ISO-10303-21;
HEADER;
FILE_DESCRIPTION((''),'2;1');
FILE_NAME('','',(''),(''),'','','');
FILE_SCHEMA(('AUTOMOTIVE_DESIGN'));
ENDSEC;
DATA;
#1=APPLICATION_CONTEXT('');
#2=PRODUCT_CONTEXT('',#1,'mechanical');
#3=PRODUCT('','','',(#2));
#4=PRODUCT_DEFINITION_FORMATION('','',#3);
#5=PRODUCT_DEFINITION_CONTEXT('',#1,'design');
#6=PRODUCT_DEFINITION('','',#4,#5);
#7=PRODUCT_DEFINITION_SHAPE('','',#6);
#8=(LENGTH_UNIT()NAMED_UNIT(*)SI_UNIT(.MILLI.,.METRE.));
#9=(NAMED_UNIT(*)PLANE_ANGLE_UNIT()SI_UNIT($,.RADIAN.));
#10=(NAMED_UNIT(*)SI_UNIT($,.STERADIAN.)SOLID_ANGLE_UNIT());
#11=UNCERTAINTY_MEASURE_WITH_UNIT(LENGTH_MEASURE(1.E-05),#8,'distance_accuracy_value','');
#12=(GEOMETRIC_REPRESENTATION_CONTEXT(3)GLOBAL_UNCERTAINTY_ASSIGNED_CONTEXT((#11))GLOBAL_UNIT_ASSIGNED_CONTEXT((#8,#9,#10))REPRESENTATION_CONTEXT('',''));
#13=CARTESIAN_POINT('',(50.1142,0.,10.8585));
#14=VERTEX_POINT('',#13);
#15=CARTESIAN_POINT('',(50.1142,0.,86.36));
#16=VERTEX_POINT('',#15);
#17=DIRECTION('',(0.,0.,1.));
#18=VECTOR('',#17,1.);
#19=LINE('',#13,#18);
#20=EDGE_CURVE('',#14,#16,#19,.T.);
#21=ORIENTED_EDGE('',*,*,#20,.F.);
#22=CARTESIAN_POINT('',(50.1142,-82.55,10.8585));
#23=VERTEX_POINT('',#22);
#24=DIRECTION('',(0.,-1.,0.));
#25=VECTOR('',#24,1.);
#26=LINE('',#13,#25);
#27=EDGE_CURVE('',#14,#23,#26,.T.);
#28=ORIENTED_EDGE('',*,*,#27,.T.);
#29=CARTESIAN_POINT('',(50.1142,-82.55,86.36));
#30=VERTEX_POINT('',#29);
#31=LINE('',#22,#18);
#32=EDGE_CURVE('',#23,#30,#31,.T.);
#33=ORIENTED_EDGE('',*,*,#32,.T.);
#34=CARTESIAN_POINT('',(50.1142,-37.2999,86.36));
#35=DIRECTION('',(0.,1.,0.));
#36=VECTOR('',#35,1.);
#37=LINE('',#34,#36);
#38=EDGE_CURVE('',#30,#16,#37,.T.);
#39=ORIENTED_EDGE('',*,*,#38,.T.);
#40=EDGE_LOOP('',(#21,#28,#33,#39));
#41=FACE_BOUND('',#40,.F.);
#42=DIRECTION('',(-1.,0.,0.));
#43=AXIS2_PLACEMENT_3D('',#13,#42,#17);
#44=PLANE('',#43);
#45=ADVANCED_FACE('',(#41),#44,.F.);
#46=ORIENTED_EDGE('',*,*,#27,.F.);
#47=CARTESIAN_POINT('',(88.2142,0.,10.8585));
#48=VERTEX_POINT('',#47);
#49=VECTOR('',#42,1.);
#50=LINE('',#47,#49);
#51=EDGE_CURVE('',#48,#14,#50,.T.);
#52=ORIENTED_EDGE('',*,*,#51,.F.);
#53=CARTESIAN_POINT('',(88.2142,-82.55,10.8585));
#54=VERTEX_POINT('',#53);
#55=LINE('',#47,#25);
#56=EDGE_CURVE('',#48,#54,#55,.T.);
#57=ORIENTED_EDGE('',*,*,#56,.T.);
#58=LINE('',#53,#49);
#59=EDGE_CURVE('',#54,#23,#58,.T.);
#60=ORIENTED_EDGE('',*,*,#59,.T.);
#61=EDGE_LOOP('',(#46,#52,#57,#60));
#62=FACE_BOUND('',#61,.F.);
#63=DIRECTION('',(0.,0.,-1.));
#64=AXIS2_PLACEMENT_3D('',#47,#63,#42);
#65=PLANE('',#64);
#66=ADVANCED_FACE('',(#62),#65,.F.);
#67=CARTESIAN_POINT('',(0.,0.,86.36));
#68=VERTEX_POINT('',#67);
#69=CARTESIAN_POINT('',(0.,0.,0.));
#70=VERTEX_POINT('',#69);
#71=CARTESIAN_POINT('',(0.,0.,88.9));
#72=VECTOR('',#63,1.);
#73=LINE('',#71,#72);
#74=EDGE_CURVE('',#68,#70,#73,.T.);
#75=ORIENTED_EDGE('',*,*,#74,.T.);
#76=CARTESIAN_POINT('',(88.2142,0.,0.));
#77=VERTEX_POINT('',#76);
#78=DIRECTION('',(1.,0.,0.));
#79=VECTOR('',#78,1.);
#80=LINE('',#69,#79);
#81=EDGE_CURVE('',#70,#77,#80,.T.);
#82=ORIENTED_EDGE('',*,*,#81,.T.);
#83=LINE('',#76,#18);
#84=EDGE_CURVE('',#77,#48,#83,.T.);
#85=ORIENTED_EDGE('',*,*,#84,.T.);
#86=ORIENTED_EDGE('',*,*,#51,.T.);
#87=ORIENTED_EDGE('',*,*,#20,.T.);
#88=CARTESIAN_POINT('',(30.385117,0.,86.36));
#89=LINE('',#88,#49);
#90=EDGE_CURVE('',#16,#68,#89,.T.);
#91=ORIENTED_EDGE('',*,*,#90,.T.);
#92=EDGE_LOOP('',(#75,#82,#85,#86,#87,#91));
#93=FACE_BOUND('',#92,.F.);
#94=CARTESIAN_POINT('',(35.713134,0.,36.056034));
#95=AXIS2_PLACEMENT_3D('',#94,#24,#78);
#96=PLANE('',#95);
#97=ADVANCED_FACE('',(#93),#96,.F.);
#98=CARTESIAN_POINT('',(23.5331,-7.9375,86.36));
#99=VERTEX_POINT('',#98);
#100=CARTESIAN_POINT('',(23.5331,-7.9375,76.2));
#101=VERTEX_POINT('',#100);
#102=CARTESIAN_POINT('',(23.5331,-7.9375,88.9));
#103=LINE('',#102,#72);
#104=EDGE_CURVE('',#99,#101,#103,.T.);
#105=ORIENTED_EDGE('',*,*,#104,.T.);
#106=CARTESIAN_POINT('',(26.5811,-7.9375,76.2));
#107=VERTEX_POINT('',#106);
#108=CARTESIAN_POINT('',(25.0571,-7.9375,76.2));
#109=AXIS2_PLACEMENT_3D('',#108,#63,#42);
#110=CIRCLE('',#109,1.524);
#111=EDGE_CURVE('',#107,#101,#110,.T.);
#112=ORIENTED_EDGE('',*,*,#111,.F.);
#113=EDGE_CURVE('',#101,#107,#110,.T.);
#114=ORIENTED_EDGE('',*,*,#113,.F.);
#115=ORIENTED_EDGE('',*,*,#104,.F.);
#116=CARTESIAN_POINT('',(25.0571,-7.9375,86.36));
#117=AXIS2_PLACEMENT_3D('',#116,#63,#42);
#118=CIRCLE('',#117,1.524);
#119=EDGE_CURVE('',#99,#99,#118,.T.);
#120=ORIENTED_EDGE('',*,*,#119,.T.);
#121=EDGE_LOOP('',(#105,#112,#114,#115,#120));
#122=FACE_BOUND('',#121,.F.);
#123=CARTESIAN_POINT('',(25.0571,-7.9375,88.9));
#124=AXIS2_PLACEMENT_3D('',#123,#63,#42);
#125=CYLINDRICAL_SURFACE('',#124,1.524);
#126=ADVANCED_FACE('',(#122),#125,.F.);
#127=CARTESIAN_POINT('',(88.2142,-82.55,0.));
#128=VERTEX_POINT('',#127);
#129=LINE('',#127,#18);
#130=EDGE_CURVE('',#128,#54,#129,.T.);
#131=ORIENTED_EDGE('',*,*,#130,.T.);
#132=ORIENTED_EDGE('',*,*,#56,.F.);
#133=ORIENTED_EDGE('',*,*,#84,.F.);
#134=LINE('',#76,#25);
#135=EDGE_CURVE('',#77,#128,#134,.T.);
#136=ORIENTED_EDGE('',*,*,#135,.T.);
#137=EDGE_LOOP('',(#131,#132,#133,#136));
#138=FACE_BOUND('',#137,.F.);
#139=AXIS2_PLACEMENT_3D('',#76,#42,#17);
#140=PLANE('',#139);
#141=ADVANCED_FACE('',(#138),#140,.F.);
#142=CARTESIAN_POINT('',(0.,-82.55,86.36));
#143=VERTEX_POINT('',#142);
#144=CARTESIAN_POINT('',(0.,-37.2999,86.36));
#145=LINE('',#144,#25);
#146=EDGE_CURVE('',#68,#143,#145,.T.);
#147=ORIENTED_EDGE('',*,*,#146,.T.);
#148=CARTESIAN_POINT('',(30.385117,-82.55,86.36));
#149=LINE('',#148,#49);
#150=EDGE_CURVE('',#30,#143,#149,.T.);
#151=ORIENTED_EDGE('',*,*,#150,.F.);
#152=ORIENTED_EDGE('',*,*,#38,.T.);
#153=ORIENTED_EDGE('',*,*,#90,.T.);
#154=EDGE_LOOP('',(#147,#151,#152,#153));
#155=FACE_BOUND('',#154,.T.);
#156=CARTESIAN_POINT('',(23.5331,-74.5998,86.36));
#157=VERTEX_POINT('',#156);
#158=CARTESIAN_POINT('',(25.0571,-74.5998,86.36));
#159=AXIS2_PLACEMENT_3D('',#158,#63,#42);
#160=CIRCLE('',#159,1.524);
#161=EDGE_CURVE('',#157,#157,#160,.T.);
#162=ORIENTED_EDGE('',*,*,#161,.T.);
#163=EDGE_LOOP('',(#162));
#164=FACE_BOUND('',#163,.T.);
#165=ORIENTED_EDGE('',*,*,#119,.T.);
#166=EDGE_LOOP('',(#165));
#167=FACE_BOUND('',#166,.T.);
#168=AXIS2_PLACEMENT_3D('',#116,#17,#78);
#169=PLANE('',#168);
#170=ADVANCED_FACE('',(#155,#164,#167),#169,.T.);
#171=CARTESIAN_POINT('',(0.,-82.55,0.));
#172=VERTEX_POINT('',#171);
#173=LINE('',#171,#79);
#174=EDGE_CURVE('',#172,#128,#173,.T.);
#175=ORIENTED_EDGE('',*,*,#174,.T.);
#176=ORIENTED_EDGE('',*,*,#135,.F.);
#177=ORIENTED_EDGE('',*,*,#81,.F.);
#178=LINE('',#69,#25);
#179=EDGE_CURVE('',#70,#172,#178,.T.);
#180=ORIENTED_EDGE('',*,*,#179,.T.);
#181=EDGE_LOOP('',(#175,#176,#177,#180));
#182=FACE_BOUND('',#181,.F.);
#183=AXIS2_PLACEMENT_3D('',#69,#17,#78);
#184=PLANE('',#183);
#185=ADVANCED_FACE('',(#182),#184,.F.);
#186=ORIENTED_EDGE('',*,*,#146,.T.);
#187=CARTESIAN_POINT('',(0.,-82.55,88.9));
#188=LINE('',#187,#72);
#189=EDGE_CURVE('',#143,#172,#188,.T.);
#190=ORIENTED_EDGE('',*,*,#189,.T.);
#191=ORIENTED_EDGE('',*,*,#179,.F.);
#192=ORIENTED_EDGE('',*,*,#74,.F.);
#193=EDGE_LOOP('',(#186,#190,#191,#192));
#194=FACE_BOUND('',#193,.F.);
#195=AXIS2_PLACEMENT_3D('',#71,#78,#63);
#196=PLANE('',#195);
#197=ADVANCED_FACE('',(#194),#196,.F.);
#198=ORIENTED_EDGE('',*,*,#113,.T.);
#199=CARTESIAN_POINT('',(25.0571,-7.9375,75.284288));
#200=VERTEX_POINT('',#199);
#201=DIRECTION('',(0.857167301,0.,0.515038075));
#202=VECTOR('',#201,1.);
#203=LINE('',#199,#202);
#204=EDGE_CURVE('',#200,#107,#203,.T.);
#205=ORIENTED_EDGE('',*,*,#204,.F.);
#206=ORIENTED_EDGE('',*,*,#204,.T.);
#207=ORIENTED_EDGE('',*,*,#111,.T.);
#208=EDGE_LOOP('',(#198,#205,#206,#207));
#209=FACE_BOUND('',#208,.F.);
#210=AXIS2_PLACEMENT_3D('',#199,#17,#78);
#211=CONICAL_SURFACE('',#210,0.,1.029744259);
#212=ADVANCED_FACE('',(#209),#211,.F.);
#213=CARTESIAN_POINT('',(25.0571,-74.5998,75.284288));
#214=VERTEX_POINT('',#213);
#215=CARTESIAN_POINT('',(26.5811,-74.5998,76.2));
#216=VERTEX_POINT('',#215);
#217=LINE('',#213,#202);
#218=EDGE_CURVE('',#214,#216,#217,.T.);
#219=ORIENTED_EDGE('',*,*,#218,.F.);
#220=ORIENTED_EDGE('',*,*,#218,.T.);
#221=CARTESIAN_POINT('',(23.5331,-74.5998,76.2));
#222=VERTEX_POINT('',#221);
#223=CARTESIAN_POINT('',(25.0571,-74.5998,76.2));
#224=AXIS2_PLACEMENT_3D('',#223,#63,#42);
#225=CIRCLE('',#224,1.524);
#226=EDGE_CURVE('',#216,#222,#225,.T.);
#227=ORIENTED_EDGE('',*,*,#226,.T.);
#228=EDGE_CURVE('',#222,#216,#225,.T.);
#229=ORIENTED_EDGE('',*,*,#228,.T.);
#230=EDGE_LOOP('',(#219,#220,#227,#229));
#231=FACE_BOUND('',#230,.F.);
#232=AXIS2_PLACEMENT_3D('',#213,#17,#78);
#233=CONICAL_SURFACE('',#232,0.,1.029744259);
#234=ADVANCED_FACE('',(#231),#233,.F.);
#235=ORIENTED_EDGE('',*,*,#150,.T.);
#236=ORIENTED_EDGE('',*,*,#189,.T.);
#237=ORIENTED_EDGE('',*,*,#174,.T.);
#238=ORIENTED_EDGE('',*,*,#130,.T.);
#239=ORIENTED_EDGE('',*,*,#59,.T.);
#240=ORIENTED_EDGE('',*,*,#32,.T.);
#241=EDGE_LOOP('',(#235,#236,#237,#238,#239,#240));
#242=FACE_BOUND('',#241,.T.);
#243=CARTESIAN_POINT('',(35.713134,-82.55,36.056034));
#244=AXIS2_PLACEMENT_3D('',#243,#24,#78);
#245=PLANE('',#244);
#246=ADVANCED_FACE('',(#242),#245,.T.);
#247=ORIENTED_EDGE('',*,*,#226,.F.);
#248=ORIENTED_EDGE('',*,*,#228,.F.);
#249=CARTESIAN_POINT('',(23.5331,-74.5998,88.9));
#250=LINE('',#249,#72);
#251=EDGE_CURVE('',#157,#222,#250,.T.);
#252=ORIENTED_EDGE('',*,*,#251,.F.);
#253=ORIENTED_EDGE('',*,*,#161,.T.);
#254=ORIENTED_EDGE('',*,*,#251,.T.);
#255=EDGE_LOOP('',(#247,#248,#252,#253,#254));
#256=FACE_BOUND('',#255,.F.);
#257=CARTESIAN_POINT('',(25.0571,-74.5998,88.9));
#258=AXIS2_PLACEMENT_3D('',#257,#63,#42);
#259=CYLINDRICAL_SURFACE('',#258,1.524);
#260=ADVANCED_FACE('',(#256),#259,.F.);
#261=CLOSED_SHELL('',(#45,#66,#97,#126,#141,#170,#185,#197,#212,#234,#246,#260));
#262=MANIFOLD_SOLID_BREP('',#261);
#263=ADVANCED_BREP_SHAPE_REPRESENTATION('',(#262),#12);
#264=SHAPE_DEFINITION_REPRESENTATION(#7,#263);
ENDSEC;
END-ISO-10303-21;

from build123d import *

# Parameters (mm, degrees)
F1_DEPTH       = 82.55
F3_D           = 3.048
F3_DEPTH       = 12.7
F3_CBORE_D     = 381
F3_CBORE_DEPTH = 2.54
F3_TIP         = 0.9157115834


with BuildPart() as f1:
    # F0 (on Front) → F1 (new body)
    with BuildSketch(Plane.XZ):
        Polygon((0, 88.9), (0, 0), (88.2142, 0), (88.2142, 10.8585003763), (50.1142, 10.8585003763), (50.1142, 88.9), align=None)
    extrude(amount=F1_DEPTH)

    # F3
    with Locations(Plane.XY.offset(88.9)):
        with Locations((25.0571, -7.9375), (25.0571, -74.5998)):
            CounterBoreHole(F3_D / 2, F3_CBORE_D / 2, F3_CBORE_DEPTH, depth=F3_DEPTH)
            with Locations((0, 0, -(F3_DEPTH + F3_TIP / 2))):  # 118° drill point
                Cone(0, F3_D / 2, F3_TIP, mode=Mode.SUBTRACT)


solid = f1.part
